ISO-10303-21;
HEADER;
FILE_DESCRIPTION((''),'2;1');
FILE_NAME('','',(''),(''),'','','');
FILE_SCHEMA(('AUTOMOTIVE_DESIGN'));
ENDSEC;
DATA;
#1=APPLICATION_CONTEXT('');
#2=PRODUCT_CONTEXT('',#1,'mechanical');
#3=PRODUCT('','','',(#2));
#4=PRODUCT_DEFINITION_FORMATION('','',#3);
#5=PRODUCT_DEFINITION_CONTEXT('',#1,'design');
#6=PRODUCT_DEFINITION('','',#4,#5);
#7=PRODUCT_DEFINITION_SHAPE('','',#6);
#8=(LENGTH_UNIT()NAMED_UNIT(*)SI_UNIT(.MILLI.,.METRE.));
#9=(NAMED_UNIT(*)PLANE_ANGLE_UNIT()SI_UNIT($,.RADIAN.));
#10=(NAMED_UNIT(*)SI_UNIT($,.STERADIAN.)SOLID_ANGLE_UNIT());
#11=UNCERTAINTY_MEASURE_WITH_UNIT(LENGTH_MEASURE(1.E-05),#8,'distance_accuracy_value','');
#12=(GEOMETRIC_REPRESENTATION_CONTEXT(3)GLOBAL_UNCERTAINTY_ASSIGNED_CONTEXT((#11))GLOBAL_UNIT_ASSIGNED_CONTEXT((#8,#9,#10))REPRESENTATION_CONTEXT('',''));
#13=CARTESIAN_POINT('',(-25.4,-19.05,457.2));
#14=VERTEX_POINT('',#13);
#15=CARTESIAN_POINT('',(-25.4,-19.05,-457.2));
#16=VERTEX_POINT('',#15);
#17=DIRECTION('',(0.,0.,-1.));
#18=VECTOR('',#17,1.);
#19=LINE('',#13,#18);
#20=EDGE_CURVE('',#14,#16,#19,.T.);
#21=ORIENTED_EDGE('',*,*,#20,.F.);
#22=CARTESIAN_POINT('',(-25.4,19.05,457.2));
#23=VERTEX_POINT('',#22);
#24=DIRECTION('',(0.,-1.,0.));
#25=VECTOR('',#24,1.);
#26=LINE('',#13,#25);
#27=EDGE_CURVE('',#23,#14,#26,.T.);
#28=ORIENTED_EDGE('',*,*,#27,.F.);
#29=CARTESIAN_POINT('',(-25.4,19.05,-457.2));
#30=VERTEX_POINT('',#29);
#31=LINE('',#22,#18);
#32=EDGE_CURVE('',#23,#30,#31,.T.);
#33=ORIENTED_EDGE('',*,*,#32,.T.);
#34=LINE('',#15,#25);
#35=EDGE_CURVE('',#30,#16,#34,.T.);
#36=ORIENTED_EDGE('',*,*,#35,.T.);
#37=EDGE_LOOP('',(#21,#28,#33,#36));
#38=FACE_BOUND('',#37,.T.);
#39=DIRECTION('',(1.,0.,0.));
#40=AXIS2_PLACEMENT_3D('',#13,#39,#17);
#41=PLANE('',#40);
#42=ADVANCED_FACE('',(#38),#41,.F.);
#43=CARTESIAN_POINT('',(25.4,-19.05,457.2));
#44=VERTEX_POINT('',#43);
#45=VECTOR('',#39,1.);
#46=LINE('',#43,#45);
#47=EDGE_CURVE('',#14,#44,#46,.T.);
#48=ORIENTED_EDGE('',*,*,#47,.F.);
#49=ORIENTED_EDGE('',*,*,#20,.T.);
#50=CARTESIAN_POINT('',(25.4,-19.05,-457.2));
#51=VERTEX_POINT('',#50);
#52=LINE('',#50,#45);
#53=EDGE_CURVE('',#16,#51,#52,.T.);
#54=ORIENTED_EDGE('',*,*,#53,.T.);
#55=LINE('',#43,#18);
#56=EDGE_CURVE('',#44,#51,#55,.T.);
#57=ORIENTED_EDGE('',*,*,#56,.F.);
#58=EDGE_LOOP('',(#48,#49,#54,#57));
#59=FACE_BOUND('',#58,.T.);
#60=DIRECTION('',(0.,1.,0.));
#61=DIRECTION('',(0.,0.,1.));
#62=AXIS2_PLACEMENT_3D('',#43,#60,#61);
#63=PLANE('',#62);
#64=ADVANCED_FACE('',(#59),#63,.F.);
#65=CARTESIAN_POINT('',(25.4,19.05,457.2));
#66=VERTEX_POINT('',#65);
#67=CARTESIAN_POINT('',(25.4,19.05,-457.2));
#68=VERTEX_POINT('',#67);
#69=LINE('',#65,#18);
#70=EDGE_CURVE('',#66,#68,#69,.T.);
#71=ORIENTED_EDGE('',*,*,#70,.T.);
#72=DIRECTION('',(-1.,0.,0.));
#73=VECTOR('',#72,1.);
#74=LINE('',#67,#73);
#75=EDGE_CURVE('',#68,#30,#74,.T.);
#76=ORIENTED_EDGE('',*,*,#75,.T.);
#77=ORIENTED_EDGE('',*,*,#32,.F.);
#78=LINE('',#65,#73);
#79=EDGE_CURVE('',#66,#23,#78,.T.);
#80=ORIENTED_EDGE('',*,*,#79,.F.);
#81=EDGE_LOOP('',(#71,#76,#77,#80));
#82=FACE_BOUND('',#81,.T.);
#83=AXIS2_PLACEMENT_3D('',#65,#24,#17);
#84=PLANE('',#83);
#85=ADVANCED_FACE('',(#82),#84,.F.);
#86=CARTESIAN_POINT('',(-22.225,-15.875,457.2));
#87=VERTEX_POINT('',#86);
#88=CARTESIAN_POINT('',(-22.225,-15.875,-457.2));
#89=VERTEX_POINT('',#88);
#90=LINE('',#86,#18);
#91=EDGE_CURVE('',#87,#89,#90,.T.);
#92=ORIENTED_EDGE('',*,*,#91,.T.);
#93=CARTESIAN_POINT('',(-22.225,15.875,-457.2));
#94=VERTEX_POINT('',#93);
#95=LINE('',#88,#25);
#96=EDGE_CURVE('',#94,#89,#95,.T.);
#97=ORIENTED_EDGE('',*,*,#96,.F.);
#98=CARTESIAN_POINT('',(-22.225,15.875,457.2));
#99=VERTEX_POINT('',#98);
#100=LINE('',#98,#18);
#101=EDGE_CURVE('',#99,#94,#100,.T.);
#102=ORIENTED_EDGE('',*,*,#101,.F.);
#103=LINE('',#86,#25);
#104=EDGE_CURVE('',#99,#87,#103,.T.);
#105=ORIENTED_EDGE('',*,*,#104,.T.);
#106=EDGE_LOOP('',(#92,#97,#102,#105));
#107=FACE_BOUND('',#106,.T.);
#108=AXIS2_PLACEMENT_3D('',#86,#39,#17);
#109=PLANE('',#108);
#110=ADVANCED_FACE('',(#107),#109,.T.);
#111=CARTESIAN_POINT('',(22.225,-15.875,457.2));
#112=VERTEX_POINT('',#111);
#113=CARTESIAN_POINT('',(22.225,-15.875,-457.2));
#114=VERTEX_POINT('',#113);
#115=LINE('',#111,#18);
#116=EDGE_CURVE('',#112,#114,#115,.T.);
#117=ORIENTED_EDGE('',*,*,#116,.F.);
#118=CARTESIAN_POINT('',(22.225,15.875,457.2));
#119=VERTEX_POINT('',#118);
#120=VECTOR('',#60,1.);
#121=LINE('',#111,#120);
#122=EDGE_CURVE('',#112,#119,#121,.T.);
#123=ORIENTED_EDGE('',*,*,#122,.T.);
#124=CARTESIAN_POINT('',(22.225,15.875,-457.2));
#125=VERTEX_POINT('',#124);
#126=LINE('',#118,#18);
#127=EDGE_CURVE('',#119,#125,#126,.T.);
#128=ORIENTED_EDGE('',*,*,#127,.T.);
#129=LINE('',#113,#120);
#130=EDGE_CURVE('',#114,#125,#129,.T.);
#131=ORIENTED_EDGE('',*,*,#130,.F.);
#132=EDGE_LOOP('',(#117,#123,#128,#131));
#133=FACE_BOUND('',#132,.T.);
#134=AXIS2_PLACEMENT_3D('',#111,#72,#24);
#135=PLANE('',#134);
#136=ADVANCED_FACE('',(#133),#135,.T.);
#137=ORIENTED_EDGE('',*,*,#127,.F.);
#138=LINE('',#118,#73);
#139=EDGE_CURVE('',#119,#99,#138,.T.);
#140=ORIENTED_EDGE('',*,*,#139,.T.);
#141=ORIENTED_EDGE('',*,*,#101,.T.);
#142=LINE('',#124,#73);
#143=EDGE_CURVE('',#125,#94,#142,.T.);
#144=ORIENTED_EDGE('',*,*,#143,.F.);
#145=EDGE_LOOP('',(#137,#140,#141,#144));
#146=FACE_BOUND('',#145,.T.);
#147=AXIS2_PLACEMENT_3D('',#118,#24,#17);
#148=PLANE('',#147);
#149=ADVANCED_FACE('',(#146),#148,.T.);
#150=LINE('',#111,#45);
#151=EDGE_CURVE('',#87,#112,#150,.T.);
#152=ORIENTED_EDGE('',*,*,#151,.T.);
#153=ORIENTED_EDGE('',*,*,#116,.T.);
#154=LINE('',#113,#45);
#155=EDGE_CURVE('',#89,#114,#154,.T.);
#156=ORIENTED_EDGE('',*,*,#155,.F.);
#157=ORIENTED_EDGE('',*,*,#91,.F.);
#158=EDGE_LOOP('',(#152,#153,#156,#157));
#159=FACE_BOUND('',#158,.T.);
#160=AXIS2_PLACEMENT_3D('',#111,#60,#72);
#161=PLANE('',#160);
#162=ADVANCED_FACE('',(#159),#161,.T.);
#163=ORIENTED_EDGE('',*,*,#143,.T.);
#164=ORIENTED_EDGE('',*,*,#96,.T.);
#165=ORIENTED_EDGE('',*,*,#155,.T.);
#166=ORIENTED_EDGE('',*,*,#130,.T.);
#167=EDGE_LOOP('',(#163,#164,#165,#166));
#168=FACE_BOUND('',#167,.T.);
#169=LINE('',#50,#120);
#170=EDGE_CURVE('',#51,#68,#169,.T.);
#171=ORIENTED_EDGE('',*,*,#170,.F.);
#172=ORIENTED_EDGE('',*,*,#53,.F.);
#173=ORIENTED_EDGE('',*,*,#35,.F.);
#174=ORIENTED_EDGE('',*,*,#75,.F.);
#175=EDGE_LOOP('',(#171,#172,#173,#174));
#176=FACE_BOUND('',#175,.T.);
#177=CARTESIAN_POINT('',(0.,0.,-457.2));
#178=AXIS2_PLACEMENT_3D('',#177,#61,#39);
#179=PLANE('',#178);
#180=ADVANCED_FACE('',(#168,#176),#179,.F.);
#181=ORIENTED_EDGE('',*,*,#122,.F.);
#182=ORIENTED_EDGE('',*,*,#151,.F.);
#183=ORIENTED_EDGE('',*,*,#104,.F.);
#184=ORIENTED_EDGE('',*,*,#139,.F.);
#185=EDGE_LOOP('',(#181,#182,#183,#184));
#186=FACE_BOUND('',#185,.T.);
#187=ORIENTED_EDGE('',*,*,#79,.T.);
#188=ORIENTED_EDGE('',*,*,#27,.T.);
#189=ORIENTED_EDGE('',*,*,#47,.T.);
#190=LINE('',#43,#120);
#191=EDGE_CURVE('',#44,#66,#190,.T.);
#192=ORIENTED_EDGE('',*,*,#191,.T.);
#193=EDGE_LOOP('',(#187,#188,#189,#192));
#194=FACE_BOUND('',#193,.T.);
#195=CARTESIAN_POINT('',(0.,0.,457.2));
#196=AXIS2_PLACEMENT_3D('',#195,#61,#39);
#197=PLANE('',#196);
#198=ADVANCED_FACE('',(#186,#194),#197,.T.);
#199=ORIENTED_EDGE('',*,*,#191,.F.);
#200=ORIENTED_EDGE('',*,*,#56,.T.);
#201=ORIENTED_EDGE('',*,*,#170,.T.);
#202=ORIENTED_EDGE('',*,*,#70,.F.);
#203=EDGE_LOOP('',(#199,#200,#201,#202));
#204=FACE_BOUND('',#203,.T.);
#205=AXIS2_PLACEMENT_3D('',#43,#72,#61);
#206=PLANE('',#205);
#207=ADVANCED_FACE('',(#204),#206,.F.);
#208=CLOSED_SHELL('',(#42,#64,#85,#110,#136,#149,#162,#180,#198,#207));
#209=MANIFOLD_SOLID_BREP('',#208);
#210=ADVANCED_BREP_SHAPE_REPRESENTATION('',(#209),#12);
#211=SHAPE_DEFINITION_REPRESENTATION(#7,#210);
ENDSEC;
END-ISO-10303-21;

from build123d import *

# Parameters (mm, degrees)
BOSS_EXTRUDE1_DEPTH      = 457.2
BOSS_EXTRUDE1_DEPTH_BACK = 457.2
SKETCH3_W                = 50.8
SKETCH3_H                = 38.1
SKETCH3_W_2              = 44.45
SKETCH3_H_2              = 31.75


with BuildPart() as part:
    # Sketch3 → Boss-Extrude1 (new, two sides: drawn at the far end of the back side and taken through both)
    with BuildSketch(Plane.XY.offset(-BOSS_EXTRUDE1_DEPTH_BACK)):
        Rectangle(SKETCH3_W, SKETCH3_H)
        Rectangle(SKETCH3_W_2, SKETCH3_H_2, mode=Mode.SUBTRACT)
    extrude(amount=BOSS_EXTRUDE1_DEPTH + BOSS_EXTRUDE1_DEPTH_BACK)


solid = part.part
